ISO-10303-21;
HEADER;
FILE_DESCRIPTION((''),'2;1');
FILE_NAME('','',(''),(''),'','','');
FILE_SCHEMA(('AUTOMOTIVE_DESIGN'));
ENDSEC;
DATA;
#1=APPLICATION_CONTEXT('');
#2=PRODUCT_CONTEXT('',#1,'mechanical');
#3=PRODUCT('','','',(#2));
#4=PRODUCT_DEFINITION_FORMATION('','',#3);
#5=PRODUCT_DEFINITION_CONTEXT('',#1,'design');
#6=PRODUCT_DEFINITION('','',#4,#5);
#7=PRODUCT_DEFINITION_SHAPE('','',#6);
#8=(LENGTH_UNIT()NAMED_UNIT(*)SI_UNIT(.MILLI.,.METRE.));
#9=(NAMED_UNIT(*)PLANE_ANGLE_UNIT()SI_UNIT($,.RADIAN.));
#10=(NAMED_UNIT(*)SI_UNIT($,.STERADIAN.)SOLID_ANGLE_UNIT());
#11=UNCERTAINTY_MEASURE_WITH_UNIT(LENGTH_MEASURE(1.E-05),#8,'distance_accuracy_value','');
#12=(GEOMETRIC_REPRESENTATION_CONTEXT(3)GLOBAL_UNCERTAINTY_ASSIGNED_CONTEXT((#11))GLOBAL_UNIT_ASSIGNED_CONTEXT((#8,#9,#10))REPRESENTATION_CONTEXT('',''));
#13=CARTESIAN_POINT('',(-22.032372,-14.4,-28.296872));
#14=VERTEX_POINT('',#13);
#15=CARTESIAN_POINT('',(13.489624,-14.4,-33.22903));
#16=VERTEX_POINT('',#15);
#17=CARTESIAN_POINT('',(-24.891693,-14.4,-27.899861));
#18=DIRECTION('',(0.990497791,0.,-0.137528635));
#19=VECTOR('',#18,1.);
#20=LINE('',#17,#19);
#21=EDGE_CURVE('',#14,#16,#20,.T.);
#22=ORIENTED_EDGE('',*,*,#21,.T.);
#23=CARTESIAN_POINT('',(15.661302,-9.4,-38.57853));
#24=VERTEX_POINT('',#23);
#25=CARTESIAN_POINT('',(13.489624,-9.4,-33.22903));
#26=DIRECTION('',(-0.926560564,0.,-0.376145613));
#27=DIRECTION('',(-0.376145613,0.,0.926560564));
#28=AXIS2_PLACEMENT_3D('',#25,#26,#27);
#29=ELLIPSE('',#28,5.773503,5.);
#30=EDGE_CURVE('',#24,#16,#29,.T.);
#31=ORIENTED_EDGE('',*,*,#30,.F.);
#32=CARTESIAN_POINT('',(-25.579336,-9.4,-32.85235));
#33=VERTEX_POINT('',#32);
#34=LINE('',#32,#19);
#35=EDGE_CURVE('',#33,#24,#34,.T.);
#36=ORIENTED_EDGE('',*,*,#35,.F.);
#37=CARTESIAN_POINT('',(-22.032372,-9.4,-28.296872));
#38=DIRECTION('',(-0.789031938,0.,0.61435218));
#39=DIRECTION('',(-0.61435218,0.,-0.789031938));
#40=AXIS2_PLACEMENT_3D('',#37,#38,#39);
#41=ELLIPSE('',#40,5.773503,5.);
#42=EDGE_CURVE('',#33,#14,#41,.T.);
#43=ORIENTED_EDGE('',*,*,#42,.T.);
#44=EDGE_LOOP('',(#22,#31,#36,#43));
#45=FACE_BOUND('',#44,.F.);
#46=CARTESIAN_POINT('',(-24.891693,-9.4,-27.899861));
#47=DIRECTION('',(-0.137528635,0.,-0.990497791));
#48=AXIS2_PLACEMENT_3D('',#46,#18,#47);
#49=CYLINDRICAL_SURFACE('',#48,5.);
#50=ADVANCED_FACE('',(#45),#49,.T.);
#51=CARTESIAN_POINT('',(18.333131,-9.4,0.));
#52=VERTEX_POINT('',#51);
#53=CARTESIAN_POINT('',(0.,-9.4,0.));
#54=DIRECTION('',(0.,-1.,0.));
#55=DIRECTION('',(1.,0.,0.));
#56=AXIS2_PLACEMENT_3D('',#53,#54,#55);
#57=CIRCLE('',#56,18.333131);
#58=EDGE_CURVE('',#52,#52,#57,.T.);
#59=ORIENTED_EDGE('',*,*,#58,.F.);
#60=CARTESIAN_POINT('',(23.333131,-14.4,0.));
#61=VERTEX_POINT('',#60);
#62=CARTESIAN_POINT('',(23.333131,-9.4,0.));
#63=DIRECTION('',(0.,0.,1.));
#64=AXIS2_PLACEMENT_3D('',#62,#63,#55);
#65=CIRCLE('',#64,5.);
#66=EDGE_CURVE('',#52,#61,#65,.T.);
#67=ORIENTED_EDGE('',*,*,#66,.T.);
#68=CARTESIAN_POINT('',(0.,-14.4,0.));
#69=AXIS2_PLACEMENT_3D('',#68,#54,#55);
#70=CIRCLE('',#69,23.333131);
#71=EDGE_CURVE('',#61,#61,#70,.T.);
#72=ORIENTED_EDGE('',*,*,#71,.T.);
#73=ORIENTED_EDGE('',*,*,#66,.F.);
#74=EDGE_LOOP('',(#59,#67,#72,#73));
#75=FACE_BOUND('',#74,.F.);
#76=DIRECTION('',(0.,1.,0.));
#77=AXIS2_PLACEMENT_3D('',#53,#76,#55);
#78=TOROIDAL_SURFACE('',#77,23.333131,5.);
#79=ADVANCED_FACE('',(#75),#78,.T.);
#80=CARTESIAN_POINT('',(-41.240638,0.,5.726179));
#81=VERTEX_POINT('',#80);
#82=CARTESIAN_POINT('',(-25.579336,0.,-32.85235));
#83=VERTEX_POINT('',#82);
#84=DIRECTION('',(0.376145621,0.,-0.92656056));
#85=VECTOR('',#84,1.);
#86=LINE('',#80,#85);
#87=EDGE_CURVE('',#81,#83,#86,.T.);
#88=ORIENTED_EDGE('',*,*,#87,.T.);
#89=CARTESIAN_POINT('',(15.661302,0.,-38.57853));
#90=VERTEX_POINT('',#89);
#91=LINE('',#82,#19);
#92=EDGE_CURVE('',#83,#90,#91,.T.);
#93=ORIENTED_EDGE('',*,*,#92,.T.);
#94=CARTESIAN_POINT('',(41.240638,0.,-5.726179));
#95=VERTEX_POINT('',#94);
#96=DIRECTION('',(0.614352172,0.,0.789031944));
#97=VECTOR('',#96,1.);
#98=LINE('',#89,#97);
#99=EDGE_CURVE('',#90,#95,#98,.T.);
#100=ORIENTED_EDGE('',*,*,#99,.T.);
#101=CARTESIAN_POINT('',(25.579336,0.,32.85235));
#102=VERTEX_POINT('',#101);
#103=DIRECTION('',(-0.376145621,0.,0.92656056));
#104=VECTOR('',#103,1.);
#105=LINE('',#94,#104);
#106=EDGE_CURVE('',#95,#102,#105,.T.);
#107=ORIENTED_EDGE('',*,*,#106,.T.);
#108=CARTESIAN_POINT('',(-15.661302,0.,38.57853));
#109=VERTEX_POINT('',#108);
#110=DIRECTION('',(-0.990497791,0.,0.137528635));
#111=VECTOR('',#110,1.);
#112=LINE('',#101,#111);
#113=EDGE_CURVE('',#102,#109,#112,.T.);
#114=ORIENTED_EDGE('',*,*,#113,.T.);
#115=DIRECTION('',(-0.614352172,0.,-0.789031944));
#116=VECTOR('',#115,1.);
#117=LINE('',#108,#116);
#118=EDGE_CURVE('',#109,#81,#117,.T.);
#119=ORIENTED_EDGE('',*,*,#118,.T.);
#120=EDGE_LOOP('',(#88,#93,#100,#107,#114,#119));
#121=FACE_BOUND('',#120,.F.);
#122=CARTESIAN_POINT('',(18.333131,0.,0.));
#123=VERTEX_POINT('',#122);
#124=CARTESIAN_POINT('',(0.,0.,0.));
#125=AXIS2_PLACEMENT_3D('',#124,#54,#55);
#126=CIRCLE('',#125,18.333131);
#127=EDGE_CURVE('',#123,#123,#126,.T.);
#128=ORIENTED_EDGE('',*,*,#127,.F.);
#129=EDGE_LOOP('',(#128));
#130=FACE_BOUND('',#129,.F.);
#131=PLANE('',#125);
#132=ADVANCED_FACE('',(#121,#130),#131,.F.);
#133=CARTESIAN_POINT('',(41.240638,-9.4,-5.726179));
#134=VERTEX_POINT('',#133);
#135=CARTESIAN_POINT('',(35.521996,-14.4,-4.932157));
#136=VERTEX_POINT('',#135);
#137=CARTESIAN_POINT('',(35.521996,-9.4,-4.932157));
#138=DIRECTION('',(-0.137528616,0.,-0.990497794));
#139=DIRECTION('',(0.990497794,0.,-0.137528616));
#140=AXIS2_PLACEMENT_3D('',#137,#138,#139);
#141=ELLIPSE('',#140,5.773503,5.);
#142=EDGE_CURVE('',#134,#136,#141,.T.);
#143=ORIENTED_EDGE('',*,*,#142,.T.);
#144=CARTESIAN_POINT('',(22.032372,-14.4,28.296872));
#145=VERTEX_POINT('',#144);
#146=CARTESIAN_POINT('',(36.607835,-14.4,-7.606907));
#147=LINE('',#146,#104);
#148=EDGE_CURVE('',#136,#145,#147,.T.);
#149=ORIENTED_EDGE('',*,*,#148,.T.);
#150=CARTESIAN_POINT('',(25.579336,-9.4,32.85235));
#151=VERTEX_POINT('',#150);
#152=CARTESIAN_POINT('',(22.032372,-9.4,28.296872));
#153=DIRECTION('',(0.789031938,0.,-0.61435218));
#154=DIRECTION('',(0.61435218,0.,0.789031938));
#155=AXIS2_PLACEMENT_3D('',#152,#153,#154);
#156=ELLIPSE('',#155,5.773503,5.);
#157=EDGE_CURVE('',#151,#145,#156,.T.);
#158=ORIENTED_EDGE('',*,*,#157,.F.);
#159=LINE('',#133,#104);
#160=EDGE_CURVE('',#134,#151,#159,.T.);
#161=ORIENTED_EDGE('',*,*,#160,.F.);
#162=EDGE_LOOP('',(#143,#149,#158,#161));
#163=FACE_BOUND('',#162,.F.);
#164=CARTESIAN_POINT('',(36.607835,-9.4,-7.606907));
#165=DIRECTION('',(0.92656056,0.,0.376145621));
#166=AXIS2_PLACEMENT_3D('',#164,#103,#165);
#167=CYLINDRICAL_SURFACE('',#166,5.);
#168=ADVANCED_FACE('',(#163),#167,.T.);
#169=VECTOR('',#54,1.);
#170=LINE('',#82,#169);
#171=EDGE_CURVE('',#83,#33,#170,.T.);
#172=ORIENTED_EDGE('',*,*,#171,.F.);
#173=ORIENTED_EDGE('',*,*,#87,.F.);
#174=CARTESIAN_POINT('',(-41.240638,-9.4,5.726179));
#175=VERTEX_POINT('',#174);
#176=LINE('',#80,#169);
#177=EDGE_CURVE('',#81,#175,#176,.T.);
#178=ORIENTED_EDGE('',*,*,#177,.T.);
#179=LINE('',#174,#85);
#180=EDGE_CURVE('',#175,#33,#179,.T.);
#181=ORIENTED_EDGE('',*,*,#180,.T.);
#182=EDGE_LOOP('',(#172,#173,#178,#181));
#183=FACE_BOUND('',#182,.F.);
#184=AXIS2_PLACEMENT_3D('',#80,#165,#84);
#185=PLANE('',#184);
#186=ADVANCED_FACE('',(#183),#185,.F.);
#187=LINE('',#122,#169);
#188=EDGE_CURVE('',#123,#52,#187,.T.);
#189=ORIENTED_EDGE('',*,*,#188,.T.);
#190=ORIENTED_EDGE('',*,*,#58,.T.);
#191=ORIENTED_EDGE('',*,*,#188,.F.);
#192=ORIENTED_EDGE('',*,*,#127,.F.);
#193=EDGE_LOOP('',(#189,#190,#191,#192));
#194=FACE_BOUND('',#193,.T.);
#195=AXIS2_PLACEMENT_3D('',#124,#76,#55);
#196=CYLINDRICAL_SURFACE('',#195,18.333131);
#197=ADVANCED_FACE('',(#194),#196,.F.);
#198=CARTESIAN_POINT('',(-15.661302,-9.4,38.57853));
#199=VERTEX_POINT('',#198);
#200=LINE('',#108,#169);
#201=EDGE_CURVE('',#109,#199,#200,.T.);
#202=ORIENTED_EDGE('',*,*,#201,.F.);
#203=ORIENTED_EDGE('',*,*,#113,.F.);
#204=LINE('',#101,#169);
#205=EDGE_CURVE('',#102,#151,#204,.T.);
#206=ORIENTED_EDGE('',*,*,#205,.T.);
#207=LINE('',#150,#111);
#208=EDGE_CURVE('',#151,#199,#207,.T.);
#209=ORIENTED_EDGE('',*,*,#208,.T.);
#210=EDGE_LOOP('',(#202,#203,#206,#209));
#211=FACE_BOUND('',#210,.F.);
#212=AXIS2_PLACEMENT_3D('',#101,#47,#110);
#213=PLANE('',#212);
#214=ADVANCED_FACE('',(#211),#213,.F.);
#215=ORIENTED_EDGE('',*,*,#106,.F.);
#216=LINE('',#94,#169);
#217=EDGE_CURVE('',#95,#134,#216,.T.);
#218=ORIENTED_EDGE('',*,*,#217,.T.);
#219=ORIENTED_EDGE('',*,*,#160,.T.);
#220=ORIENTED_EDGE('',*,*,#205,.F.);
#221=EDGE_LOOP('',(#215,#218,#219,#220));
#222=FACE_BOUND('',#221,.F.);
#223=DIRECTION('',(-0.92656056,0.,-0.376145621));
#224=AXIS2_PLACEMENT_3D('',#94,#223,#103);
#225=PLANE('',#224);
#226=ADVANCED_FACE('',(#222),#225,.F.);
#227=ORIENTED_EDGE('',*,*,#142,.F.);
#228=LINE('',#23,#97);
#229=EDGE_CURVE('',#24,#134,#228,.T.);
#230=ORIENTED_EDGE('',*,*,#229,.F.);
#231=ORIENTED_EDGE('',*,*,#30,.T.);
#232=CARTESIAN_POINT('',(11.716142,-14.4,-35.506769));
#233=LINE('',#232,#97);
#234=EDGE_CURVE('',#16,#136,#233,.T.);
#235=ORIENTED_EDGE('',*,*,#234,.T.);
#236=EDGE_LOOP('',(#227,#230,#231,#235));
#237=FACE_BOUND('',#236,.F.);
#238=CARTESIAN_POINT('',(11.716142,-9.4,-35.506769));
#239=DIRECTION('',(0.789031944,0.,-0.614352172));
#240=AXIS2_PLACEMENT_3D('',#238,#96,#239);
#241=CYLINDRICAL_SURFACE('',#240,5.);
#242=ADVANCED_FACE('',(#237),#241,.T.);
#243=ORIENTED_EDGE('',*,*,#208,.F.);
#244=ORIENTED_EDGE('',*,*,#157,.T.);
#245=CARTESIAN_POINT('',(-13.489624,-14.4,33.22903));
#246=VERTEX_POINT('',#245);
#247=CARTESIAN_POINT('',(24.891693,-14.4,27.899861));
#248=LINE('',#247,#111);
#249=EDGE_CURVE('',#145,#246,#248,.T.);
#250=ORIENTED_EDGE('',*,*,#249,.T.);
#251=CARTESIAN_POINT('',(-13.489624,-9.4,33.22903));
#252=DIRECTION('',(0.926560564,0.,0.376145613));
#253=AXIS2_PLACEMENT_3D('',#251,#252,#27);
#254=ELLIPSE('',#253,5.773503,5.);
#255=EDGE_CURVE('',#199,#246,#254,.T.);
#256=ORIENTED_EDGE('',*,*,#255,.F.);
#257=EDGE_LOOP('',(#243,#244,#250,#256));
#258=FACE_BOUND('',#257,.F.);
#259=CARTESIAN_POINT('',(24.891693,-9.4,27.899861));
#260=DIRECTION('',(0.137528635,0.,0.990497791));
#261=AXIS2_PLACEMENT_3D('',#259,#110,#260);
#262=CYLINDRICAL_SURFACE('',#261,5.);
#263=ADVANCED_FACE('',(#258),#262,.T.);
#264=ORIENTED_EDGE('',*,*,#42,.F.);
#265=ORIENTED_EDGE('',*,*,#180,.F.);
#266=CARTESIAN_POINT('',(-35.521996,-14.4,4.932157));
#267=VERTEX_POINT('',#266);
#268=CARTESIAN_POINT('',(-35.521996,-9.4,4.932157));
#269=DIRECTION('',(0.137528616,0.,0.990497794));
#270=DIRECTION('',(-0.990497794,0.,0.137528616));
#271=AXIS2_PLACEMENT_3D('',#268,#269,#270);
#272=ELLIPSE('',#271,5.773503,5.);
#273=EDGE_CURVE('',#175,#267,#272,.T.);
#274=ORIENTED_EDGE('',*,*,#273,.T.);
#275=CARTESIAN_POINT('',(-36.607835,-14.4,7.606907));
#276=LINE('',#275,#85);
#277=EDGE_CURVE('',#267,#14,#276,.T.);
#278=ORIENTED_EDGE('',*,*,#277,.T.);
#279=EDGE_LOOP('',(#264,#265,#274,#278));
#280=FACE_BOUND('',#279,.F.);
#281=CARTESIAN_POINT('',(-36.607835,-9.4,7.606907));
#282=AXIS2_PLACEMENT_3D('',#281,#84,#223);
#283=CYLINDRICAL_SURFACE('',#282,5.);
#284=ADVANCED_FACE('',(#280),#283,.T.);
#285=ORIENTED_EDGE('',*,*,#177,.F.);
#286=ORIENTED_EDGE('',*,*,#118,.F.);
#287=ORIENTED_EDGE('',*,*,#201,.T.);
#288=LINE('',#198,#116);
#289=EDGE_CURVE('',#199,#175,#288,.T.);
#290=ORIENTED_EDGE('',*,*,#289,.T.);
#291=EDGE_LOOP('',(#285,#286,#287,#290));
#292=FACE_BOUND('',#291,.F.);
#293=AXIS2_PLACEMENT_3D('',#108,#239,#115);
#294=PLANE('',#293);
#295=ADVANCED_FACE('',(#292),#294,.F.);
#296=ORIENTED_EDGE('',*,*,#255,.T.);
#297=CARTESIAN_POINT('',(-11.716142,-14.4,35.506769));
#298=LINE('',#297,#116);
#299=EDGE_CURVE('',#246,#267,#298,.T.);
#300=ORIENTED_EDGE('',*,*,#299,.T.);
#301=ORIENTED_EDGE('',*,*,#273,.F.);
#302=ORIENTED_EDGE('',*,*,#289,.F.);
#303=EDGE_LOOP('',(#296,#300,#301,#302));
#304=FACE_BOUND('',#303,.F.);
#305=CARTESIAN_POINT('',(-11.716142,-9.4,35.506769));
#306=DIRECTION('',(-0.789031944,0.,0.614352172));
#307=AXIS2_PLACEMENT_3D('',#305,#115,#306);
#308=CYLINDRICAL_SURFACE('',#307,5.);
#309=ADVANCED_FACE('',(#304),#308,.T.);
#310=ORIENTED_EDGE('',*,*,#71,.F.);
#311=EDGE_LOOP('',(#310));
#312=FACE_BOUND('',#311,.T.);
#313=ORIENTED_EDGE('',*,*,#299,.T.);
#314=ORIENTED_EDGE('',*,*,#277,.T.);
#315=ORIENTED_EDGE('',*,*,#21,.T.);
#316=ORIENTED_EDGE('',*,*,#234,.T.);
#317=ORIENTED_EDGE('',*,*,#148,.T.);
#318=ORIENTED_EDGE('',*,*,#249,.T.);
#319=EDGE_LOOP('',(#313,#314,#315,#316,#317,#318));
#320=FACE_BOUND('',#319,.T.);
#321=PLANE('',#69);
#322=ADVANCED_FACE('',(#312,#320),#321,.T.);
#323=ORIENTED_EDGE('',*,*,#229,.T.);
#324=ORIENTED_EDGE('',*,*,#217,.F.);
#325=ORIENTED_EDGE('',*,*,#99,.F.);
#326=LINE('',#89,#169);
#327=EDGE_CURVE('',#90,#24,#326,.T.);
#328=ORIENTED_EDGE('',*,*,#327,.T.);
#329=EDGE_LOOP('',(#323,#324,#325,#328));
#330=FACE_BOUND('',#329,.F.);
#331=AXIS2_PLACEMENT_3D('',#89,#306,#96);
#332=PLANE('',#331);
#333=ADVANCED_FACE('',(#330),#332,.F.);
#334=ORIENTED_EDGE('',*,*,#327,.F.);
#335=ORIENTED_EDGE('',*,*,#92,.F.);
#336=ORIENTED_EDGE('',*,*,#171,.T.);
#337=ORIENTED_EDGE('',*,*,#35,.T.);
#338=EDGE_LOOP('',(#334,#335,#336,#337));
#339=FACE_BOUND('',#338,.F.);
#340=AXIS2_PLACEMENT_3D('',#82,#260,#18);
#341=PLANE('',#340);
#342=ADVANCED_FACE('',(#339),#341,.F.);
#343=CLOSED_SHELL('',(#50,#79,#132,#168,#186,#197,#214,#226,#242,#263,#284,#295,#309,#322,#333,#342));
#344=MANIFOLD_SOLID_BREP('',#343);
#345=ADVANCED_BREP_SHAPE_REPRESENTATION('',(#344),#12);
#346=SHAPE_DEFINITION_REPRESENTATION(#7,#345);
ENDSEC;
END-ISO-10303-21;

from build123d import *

# Parameters (mm, degrees)
F0_R     = 18.333131
F1_DEPTH = 14.4
F2_R     = 5


with BuildPart() as f1:
    # F0 (on Front) → F1 (new body)
    with BuildSketch(Plane.XZ):
        Polygon((-41.240638, 5.726179), (-25.579336, -32.85235), (15.661302, -38.57853), (41.240638, -5.726179), (25.579336, 32.85235), (-15.661302, 38.57853), align=None)
        Circle(F0_R, mode=Mode.SUBTRACT)
    extrude(amount=F1_DEPTH)

    # F2
    f2_edges = [f1.edges().sort_by_distance(p)[0] for p in [
        (-18.333131, -14.4, 0),
        (28.45097, -14.4, -22.152355),
        (33.409987, -14.4, 13.563085),
        (4.959017, -14.4, 35.71544),
        (-28.45097, -14.4, 22.152355),
        (-33.409987, -14.4, -13.563085),
        (-4.959017, -14.4, -35.71544),
    ]]
    fillet(f2_edges, radius=F2_R)


solid = f1.part
